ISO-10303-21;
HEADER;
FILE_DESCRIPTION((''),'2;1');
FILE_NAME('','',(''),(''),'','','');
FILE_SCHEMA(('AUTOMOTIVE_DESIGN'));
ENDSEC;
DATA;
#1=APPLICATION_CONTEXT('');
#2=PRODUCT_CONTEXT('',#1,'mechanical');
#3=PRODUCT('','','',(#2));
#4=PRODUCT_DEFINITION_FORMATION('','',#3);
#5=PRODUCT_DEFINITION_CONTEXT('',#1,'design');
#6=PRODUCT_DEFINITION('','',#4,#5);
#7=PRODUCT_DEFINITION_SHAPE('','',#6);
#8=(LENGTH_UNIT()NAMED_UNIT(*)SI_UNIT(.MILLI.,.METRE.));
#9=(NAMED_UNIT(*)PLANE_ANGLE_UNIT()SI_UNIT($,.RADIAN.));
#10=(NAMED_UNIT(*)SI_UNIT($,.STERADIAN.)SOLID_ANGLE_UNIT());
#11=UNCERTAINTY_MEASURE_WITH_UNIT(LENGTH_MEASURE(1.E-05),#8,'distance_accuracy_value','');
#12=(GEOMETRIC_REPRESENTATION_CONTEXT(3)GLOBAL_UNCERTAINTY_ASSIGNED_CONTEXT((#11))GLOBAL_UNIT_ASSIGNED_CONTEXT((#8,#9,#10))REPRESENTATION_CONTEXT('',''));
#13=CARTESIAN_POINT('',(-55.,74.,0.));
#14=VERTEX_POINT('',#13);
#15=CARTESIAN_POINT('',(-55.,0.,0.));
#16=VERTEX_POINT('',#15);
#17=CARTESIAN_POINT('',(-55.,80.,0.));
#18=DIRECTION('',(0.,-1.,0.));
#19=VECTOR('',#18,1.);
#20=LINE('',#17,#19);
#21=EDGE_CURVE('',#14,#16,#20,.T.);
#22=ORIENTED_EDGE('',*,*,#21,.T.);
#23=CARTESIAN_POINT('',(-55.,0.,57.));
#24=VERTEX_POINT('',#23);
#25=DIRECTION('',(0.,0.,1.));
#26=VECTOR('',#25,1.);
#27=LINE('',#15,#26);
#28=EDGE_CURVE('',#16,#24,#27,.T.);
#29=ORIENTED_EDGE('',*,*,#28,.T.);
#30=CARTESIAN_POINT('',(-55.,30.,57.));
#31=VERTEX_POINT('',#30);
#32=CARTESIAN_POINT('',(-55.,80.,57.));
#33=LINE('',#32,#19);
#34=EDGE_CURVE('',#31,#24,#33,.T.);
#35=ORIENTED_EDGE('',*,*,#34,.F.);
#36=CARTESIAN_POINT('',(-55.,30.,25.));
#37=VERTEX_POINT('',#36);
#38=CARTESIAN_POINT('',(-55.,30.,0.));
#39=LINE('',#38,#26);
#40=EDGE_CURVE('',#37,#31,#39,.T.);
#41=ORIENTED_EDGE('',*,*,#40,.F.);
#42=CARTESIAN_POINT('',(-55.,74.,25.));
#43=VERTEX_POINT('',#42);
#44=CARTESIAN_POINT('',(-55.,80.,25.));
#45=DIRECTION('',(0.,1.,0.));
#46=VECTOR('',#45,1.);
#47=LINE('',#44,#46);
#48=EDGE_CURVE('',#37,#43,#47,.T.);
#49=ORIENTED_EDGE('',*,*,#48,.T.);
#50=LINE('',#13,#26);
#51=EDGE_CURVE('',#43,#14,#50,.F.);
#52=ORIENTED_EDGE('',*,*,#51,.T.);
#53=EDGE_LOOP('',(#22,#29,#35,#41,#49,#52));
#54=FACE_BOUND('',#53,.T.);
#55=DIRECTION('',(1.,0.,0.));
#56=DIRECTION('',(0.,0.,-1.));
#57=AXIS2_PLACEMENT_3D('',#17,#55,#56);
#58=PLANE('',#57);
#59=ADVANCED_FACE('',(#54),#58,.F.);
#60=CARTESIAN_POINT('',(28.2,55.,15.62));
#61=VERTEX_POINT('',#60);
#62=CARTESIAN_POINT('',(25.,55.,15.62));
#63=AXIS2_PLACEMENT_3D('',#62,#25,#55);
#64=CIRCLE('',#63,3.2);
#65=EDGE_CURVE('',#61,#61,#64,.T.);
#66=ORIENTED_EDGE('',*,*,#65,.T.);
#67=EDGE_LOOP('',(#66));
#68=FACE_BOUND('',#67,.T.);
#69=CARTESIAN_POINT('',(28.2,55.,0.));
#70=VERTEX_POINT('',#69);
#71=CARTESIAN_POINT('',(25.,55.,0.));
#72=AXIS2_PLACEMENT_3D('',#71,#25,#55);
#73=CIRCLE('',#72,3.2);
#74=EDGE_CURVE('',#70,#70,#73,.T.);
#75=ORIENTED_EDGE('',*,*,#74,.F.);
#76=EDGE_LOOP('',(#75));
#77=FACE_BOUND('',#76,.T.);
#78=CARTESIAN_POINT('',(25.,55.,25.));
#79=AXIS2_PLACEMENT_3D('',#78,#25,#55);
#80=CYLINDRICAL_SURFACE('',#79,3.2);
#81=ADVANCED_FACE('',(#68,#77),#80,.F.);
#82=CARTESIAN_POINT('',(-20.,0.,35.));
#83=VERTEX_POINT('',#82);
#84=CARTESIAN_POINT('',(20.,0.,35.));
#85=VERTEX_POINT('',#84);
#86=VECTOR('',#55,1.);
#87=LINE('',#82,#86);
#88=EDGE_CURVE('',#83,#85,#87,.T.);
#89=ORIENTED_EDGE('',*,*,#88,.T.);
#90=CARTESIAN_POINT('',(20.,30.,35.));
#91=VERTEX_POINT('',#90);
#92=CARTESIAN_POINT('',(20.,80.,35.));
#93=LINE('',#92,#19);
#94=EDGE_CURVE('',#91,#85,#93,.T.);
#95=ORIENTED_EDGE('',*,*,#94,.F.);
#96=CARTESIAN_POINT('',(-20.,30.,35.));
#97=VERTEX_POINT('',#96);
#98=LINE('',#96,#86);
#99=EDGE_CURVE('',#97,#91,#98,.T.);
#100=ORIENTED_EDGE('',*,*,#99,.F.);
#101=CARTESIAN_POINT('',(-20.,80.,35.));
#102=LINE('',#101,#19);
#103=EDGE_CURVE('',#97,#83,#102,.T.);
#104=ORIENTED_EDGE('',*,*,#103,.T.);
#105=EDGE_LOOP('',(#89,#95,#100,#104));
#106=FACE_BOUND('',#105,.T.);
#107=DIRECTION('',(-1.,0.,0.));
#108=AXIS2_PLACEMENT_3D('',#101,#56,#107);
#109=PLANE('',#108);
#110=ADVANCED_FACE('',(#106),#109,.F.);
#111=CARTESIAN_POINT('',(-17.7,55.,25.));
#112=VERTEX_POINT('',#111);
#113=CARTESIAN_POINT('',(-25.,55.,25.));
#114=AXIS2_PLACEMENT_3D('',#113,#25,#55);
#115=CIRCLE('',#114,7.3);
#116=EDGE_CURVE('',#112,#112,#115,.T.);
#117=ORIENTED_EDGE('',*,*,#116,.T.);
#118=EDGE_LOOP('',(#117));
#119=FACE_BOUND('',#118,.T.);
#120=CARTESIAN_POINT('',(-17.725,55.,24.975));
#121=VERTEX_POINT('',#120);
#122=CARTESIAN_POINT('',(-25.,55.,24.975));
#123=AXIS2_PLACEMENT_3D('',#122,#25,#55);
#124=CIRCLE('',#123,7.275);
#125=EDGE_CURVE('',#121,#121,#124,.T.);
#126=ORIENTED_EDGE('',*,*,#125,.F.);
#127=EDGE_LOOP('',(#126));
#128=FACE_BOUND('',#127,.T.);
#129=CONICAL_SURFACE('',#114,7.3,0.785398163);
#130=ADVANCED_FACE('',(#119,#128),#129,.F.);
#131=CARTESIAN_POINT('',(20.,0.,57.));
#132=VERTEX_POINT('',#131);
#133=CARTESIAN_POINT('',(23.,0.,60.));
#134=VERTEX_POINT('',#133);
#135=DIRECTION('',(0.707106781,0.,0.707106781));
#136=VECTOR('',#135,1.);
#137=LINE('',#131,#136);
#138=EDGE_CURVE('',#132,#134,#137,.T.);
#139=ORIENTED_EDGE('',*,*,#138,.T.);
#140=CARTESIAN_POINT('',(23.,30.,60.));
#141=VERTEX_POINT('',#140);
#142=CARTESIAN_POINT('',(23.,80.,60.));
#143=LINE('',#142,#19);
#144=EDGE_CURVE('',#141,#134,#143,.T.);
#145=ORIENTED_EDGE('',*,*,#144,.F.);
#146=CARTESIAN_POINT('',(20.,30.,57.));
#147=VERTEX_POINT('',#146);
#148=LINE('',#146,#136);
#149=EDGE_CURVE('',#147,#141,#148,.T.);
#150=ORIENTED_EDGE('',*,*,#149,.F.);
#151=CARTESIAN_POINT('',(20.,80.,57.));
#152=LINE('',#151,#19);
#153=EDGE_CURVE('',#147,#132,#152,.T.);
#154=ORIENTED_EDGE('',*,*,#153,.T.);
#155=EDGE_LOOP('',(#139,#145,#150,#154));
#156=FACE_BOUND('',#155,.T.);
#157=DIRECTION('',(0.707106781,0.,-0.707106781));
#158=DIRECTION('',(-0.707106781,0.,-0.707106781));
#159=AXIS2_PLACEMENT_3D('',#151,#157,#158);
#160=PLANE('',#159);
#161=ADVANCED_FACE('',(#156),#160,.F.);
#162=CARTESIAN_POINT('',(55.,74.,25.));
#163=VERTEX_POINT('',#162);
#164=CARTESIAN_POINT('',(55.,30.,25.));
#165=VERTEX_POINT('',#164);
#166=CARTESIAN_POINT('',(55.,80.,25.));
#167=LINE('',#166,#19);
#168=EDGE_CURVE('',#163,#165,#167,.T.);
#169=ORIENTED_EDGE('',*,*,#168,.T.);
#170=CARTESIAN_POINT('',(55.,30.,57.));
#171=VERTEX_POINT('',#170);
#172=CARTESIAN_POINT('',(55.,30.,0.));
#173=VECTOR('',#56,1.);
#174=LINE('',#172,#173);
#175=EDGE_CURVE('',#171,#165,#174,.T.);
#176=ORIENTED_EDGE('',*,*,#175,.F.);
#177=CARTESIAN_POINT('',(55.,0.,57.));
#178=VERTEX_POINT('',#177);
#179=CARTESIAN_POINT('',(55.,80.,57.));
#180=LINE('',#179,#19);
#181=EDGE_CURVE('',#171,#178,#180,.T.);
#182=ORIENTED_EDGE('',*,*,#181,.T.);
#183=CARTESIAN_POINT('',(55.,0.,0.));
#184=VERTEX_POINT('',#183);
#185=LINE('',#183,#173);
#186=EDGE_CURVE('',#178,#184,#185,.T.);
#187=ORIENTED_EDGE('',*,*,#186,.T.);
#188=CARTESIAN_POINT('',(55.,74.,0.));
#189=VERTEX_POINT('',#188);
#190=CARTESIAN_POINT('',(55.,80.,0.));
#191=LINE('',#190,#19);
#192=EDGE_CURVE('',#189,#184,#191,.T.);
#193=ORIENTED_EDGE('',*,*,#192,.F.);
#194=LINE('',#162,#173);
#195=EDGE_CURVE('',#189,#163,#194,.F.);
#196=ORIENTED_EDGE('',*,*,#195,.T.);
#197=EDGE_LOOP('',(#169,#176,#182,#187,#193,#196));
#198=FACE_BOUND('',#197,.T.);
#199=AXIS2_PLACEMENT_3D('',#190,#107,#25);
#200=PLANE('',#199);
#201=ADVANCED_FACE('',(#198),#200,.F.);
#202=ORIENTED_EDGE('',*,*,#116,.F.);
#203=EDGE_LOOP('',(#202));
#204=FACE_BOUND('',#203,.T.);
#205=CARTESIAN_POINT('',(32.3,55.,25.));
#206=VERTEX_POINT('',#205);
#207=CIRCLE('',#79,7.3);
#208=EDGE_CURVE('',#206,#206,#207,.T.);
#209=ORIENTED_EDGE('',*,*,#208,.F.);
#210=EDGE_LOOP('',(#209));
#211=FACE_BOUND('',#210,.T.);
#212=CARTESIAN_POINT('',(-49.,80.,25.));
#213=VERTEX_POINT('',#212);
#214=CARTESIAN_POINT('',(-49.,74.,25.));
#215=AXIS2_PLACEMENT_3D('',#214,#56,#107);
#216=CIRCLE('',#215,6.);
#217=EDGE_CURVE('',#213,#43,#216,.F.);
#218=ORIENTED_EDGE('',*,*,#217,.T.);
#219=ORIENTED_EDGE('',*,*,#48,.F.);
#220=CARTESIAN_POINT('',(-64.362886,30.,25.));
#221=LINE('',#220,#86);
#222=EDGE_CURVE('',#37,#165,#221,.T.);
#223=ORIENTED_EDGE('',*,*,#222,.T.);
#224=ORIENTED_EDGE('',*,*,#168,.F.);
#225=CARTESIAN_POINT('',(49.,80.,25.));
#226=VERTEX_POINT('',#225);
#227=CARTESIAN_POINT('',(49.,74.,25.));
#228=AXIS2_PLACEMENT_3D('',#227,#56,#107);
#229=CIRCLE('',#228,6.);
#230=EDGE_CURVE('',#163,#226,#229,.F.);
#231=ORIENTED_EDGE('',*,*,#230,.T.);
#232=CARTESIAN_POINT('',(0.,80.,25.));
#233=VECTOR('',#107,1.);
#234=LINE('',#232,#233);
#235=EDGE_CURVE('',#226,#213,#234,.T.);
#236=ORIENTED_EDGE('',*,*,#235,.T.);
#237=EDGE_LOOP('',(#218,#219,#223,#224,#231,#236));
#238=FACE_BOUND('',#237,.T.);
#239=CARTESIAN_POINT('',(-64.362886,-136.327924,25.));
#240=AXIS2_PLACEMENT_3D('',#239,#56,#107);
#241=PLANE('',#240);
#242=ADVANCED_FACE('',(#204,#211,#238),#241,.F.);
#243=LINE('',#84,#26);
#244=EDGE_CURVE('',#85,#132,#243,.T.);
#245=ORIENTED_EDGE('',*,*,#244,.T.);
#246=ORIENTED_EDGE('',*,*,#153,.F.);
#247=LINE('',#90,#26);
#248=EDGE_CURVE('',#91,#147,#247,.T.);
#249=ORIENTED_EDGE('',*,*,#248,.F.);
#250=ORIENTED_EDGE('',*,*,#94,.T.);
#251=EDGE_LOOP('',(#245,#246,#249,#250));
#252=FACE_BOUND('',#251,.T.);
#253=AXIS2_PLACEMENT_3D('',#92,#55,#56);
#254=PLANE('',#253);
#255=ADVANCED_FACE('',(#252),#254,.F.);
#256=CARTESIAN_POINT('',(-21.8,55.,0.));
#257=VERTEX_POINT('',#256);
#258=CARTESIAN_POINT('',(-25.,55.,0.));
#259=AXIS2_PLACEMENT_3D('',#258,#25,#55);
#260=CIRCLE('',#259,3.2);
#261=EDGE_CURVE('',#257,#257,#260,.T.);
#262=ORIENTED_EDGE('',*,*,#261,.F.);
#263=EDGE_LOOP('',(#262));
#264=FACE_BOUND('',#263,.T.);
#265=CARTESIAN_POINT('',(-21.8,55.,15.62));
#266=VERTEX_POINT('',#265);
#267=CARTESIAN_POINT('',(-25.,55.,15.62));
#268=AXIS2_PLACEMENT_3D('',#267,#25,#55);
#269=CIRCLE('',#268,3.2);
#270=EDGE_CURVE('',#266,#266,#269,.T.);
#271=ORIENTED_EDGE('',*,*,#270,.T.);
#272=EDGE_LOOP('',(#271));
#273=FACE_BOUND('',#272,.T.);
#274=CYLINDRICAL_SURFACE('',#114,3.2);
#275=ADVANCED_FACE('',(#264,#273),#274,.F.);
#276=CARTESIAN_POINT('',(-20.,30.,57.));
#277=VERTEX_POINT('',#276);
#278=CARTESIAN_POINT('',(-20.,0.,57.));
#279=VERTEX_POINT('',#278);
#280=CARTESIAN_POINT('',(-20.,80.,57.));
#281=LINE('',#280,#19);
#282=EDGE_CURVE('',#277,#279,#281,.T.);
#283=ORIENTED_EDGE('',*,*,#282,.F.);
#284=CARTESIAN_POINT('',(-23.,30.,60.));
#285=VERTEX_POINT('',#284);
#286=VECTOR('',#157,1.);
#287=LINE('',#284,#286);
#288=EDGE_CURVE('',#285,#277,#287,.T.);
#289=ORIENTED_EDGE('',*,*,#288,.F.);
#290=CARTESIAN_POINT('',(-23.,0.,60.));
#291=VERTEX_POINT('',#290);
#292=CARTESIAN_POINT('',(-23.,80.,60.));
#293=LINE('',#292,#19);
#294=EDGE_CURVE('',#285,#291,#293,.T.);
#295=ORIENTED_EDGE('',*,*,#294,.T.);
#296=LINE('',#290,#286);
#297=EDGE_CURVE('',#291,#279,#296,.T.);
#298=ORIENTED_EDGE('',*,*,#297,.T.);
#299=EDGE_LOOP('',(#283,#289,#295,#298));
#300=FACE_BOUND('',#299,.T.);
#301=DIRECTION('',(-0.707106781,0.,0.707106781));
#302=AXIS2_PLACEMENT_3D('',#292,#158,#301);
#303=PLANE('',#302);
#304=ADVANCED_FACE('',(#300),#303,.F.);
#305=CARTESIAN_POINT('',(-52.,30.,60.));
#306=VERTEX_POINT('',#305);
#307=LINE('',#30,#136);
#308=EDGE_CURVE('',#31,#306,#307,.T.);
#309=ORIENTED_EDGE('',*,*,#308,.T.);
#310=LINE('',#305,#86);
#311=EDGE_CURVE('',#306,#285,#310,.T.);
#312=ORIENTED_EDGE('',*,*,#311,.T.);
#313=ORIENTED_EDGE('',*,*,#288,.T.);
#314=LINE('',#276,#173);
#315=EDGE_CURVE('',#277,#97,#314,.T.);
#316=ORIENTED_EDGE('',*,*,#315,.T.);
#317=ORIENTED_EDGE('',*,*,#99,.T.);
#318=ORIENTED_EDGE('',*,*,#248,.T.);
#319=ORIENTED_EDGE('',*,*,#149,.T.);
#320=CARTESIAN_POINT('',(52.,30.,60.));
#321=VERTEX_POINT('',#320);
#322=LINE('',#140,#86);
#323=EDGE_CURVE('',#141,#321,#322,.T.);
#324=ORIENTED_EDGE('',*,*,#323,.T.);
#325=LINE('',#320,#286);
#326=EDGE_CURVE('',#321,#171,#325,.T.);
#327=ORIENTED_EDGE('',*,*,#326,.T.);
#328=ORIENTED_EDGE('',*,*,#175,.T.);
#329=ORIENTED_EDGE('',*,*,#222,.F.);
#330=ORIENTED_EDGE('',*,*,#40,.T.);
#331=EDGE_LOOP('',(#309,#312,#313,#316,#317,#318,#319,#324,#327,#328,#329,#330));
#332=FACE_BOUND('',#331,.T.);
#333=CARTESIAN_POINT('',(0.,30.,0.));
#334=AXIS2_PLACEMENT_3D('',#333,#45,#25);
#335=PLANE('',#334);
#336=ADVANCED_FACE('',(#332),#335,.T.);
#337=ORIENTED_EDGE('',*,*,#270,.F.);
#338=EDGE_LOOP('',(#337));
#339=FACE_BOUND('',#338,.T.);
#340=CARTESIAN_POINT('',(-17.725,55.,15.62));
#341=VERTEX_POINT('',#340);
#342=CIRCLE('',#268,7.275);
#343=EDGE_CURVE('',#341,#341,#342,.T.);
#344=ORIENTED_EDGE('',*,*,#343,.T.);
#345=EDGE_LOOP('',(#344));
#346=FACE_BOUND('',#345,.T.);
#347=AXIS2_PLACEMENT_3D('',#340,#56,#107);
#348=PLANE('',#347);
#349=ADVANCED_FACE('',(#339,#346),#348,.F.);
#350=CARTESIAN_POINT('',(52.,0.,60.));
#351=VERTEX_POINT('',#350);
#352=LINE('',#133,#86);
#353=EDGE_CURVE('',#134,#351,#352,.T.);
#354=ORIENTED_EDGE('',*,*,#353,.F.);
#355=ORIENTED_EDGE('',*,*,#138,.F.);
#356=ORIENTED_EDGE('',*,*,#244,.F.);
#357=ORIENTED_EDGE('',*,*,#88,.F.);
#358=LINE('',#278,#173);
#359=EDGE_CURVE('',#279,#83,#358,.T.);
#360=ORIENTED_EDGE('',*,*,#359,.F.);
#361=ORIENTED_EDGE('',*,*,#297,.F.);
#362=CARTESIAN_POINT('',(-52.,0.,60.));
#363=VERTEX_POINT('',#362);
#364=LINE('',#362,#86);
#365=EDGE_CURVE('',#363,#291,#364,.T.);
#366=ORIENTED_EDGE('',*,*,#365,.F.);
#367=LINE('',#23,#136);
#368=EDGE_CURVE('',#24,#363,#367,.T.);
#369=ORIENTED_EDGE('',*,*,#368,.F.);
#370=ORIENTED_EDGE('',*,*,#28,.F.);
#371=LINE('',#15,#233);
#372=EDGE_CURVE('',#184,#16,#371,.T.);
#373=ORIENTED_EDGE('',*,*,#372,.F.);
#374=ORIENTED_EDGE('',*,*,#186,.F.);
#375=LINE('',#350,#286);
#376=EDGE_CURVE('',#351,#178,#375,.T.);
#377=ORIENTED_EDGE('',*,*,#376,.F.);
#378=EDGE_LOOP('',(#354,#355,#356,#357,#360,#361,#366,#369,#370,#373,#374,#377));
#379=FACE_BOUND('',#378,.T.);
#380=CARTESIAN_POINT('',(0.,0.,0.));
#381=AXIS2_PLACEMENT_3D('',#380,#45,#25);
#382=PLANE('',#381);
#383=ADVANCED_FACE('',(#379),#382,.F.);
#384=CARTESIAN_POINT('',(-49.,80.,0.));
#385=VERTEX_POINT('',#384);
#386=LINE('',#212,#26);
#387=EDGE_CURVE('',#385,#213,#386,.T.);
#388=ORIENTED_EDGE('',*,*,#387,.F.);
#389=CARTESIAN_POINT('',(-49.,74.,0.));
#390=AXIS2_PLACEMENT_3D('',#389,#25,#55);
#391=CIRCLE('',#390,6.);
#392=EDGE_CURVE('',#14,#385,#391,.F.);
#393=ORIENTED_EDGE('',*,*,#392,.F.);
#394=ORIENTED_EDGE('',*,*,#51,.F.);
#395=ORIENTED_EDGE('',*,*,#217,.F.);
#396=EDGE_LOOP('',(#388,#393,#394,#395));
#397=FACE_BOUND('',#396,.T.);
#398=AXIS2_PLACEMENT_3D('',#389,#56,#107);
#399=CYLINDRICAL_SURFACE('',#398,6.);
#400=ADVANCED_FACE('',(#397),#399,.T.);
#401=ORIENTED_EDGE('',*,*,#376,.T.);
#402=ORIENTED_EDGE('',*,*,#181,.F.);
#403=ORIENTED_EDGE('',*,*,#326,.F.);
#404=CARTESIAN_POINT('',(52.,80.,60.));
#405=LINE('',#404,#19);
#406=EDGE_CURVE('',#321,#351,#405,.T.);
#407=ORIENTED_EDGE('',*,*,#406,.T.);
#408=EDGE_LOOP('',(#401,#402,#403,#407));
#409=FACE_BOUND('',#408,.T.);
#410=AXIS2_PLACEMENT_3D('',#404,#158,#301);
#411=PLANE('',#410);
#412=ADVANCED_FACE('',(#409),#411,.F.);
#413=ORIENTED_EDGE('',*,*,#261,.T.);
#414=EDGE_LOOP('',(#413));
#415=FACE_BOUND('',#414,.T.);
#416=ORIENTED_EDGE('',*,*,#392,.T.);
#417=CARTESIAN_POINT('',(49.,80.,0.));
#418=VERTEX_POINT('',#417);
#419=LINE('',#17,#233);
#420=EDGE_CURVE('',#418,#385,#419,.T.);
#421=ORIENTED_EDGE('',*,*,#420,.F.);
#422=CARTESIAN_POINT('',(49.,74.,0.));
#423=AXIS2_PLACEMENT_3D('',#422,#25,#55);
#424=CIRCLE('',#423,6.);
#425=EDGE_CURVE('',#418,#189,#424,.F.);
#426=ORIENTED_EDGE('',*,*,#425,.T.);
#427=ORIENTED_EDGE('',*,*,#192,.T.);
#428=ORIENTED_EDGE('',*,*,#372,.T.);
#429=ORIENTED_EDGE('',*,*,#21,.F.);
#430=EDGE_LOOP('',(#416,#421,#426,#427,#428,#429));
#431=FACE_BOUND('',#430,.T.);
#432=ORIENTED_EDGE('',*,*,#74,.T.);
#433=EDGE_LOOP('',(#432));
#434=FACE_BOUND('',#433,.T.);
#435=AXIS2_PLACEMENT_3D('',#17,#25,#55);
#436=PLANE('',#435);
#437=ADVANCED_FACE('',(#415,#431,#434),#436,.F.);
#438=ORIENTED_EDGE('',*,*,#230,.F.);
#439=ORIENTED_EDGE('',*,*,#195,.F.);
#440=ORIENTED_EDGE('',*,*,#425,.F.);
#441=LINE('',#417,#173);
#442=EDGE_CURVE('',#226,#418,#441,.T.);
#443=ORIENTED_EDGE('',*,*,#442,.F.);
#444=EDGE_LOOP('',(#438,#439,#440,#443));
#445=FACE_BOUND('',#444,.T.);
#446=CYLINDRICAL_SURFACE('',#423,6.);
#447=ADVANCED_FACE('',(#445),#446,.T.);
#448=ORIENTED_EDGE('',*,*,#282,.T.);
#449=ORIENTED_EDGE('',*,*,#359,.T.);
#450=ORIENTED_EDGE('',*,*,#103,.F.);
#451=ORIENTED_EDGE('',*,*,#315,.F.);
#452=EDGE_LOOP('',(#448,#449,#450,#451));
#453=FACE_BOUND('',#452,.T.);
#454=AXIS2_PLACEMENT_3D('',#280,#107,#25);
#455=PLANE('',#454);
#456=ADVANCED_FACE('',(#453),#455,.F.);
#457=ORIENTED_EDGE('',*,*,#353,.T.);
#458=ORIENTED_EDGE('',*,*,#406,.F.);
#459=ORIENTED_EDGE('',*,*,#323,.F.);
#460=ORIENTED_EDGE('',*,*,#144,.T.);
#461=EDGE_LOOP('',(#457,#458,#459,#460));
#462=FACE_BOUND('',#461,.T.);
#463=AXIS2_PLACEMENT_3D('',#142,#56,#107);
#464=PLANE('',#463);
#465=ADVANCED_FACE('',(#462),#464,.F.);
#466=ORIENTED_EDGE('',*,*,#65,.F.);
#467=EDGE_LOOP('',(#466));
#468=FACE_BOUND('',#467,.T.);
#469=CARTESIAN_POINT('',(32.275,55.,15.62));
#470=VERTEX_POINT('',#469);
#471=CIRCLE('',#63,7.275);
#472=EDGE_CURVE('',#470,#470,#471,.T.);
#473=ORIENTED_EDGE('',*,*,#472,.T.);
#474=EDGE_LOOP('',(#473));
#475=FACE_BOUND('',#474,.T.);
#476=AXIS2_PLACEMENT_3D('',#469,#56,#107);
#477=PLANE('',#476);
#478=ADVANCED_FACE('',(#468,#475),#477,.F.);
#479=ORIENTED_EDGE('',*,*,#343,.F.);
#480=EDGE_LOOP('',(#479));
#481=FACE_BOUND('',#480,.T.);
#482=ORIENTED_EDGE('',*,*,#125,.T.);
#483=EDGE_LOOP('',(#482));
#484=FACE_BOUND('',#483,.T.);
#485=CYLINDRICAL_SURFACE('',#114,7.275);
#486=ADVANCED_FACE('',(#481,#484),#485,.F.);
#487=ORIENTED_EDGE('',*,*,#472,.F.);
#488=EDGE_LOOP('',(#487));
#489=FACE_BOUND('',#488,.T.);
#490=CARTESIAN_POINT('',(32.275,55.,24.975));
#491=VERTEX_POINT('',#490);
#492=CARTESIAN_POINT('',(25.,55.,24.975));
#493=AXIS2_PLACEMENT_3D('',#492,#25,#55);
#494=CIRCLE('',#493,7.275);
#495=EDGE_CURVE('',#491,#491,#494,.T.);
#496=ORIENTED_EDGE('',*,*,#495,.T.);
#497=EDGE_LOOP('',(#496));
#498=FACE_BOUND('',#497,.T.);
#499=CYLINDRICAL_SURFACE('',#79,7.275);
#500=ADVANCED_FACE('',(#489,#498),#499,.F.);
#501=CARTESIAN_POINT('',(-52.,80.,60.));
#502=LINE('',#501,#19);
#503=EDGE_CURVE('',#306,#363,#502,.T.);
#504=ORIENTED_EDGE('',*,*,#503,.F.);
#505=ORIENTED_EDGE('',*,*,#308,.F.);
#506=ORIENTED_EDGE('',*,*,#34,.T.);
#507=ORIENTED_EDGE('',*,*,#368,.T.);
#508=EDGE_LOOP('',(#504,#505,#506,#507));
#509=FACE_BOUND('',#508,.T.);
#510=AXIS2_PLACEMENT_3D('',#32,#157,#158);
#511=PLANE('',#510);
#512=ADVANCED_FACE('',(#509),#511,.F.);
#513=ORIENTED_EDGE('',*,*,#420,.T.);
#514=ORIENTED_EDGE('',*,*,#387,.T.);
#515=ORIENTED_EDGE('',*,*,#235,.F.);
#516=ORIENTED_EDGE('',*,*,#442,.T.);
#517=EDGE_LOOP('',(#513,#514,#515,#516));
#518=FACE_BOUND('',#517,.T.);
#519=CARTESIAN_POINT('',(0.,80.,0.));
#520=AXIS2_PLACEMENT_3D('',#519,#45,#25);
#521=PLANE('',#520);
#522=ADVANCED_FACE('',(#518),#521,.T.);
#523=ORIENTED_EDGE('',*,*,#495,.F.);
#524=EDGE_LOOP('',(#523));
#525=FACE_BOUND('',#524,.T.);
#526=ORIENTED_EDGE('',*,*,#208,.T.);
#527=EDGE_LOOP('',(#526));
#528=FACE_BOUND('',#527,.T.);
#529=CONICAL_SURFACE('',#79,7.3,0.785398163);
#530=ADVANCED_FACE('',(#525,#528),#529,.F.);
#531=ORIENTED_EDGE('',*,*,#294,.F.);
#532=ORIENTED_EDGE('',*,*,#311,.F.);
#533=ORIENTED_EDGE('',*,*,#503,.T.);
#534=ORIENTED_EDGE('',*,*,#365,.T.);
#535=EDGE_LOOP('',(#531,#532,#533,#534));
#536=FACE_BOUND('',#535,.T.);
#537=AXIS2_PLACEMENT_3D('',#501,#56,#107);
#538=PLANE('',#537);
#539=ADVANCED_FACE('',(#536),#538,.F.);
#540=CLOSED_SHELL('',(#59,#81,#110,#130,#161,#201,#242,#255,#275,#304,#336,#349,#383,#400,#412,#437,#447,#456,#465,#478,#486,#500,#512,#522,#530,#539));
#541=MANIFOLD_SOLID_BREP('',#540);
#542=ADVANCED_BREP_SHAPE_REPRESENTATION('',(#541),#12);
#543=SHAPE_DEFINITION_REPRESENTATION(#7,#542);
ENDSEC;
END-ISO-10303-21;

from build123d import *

# Parameters (mm, degrees)
BOSS_EXTRUDE1_DEPTH                    = 80
SKETCH2_W                              = 127.893941609
SKETCH2_H                              = 47.2063817
CUT_EXTRUDE1_DEPTH                     = 50
FILLET1_R                              = 6
CBORE_FOR_M6_HEX_HEAD_BOLT1_AT_2_COUNT = 2
CBORE_FOR_M6_HEX_HEAD_BOLT1_AT_2_PITCH = 50


with BuildPart() as part:
    # Sketch1 → Boss-Extrude1 (new body)
    with BuildSketch(Plane(origin=(0, 0, 0), x_dir=(1, 0, 0), z_dir=(0, 1, 0))):
        Polygon((-20, -57), (-20, -35), (20, -35), (20, -57), (23, -60), (52, -60), (55, -57), (55, 0), (-55, 0), (-55, -57), (-52, -60), (-23, -60), align=None)
    extrude(amount=BOSS_EXTRUDE1_DEPTH)

    # Sketch2 → Cut-Extrude1 (cut)
    with BuildSketch(Plane(origin=(0, 80, 0), x_dir=(1, 0, 0), z_dir=(0, 1, 0))):
        with Locations((-0.415915258, -48.60319085)):
            Rectangle(SKETCH2_W, SKETCH2_H)
    extrude(amount=-CUT_EXTRUDE1_DEPTH, mode=Mode.SUBTRACT)

    # Fillet1
    fillet1_edges = [part.edges().sort_by_distance(p)[0] for p in [
        (55, 80, 12.5),
        (-55, 80, 12.5),
    ]]
    fillet(fillet1_edges, radius=FILLET1_R)

    # Sketch3 → CBORE for M6 Hex Head Bolt1 (revolve, cut)
    with BuildSketch(Plane(origin=(-25, 55, 25), x_dir=(0, -1, 0), z_dir=(1, 0, 0))):
        Polygon((0, 0), (0, 25), (3.2, 25), (3.2, 9.38), (7.275, 9.38), (7.275, 0.025), (7.3, 0), align=None)
    cbore_for_m6_hex_head_bolt1 = revolve(axis=Axis((-25, 55, 31.35), (0, 0, -1)), mode=Mode.SUBTRACT)

    # CBORE for M6 Hex Head Bolt1 at 2: CBORE for M6 Hex Head Bolt1 ×2
    with Locations(*[(i * CBORE_FOR_M6_HEX_HEAD_BOLT1_AT_2_PITCH, 0, 0) for i in range(1, CBORE_FOR_M6_HEX_HEAD_BOLT1_AT_2_COUNT)]):
        add(cbore_for_m6_hex_head_bolt1, mode=Mode.SUBTRACT)


solid = part.part
